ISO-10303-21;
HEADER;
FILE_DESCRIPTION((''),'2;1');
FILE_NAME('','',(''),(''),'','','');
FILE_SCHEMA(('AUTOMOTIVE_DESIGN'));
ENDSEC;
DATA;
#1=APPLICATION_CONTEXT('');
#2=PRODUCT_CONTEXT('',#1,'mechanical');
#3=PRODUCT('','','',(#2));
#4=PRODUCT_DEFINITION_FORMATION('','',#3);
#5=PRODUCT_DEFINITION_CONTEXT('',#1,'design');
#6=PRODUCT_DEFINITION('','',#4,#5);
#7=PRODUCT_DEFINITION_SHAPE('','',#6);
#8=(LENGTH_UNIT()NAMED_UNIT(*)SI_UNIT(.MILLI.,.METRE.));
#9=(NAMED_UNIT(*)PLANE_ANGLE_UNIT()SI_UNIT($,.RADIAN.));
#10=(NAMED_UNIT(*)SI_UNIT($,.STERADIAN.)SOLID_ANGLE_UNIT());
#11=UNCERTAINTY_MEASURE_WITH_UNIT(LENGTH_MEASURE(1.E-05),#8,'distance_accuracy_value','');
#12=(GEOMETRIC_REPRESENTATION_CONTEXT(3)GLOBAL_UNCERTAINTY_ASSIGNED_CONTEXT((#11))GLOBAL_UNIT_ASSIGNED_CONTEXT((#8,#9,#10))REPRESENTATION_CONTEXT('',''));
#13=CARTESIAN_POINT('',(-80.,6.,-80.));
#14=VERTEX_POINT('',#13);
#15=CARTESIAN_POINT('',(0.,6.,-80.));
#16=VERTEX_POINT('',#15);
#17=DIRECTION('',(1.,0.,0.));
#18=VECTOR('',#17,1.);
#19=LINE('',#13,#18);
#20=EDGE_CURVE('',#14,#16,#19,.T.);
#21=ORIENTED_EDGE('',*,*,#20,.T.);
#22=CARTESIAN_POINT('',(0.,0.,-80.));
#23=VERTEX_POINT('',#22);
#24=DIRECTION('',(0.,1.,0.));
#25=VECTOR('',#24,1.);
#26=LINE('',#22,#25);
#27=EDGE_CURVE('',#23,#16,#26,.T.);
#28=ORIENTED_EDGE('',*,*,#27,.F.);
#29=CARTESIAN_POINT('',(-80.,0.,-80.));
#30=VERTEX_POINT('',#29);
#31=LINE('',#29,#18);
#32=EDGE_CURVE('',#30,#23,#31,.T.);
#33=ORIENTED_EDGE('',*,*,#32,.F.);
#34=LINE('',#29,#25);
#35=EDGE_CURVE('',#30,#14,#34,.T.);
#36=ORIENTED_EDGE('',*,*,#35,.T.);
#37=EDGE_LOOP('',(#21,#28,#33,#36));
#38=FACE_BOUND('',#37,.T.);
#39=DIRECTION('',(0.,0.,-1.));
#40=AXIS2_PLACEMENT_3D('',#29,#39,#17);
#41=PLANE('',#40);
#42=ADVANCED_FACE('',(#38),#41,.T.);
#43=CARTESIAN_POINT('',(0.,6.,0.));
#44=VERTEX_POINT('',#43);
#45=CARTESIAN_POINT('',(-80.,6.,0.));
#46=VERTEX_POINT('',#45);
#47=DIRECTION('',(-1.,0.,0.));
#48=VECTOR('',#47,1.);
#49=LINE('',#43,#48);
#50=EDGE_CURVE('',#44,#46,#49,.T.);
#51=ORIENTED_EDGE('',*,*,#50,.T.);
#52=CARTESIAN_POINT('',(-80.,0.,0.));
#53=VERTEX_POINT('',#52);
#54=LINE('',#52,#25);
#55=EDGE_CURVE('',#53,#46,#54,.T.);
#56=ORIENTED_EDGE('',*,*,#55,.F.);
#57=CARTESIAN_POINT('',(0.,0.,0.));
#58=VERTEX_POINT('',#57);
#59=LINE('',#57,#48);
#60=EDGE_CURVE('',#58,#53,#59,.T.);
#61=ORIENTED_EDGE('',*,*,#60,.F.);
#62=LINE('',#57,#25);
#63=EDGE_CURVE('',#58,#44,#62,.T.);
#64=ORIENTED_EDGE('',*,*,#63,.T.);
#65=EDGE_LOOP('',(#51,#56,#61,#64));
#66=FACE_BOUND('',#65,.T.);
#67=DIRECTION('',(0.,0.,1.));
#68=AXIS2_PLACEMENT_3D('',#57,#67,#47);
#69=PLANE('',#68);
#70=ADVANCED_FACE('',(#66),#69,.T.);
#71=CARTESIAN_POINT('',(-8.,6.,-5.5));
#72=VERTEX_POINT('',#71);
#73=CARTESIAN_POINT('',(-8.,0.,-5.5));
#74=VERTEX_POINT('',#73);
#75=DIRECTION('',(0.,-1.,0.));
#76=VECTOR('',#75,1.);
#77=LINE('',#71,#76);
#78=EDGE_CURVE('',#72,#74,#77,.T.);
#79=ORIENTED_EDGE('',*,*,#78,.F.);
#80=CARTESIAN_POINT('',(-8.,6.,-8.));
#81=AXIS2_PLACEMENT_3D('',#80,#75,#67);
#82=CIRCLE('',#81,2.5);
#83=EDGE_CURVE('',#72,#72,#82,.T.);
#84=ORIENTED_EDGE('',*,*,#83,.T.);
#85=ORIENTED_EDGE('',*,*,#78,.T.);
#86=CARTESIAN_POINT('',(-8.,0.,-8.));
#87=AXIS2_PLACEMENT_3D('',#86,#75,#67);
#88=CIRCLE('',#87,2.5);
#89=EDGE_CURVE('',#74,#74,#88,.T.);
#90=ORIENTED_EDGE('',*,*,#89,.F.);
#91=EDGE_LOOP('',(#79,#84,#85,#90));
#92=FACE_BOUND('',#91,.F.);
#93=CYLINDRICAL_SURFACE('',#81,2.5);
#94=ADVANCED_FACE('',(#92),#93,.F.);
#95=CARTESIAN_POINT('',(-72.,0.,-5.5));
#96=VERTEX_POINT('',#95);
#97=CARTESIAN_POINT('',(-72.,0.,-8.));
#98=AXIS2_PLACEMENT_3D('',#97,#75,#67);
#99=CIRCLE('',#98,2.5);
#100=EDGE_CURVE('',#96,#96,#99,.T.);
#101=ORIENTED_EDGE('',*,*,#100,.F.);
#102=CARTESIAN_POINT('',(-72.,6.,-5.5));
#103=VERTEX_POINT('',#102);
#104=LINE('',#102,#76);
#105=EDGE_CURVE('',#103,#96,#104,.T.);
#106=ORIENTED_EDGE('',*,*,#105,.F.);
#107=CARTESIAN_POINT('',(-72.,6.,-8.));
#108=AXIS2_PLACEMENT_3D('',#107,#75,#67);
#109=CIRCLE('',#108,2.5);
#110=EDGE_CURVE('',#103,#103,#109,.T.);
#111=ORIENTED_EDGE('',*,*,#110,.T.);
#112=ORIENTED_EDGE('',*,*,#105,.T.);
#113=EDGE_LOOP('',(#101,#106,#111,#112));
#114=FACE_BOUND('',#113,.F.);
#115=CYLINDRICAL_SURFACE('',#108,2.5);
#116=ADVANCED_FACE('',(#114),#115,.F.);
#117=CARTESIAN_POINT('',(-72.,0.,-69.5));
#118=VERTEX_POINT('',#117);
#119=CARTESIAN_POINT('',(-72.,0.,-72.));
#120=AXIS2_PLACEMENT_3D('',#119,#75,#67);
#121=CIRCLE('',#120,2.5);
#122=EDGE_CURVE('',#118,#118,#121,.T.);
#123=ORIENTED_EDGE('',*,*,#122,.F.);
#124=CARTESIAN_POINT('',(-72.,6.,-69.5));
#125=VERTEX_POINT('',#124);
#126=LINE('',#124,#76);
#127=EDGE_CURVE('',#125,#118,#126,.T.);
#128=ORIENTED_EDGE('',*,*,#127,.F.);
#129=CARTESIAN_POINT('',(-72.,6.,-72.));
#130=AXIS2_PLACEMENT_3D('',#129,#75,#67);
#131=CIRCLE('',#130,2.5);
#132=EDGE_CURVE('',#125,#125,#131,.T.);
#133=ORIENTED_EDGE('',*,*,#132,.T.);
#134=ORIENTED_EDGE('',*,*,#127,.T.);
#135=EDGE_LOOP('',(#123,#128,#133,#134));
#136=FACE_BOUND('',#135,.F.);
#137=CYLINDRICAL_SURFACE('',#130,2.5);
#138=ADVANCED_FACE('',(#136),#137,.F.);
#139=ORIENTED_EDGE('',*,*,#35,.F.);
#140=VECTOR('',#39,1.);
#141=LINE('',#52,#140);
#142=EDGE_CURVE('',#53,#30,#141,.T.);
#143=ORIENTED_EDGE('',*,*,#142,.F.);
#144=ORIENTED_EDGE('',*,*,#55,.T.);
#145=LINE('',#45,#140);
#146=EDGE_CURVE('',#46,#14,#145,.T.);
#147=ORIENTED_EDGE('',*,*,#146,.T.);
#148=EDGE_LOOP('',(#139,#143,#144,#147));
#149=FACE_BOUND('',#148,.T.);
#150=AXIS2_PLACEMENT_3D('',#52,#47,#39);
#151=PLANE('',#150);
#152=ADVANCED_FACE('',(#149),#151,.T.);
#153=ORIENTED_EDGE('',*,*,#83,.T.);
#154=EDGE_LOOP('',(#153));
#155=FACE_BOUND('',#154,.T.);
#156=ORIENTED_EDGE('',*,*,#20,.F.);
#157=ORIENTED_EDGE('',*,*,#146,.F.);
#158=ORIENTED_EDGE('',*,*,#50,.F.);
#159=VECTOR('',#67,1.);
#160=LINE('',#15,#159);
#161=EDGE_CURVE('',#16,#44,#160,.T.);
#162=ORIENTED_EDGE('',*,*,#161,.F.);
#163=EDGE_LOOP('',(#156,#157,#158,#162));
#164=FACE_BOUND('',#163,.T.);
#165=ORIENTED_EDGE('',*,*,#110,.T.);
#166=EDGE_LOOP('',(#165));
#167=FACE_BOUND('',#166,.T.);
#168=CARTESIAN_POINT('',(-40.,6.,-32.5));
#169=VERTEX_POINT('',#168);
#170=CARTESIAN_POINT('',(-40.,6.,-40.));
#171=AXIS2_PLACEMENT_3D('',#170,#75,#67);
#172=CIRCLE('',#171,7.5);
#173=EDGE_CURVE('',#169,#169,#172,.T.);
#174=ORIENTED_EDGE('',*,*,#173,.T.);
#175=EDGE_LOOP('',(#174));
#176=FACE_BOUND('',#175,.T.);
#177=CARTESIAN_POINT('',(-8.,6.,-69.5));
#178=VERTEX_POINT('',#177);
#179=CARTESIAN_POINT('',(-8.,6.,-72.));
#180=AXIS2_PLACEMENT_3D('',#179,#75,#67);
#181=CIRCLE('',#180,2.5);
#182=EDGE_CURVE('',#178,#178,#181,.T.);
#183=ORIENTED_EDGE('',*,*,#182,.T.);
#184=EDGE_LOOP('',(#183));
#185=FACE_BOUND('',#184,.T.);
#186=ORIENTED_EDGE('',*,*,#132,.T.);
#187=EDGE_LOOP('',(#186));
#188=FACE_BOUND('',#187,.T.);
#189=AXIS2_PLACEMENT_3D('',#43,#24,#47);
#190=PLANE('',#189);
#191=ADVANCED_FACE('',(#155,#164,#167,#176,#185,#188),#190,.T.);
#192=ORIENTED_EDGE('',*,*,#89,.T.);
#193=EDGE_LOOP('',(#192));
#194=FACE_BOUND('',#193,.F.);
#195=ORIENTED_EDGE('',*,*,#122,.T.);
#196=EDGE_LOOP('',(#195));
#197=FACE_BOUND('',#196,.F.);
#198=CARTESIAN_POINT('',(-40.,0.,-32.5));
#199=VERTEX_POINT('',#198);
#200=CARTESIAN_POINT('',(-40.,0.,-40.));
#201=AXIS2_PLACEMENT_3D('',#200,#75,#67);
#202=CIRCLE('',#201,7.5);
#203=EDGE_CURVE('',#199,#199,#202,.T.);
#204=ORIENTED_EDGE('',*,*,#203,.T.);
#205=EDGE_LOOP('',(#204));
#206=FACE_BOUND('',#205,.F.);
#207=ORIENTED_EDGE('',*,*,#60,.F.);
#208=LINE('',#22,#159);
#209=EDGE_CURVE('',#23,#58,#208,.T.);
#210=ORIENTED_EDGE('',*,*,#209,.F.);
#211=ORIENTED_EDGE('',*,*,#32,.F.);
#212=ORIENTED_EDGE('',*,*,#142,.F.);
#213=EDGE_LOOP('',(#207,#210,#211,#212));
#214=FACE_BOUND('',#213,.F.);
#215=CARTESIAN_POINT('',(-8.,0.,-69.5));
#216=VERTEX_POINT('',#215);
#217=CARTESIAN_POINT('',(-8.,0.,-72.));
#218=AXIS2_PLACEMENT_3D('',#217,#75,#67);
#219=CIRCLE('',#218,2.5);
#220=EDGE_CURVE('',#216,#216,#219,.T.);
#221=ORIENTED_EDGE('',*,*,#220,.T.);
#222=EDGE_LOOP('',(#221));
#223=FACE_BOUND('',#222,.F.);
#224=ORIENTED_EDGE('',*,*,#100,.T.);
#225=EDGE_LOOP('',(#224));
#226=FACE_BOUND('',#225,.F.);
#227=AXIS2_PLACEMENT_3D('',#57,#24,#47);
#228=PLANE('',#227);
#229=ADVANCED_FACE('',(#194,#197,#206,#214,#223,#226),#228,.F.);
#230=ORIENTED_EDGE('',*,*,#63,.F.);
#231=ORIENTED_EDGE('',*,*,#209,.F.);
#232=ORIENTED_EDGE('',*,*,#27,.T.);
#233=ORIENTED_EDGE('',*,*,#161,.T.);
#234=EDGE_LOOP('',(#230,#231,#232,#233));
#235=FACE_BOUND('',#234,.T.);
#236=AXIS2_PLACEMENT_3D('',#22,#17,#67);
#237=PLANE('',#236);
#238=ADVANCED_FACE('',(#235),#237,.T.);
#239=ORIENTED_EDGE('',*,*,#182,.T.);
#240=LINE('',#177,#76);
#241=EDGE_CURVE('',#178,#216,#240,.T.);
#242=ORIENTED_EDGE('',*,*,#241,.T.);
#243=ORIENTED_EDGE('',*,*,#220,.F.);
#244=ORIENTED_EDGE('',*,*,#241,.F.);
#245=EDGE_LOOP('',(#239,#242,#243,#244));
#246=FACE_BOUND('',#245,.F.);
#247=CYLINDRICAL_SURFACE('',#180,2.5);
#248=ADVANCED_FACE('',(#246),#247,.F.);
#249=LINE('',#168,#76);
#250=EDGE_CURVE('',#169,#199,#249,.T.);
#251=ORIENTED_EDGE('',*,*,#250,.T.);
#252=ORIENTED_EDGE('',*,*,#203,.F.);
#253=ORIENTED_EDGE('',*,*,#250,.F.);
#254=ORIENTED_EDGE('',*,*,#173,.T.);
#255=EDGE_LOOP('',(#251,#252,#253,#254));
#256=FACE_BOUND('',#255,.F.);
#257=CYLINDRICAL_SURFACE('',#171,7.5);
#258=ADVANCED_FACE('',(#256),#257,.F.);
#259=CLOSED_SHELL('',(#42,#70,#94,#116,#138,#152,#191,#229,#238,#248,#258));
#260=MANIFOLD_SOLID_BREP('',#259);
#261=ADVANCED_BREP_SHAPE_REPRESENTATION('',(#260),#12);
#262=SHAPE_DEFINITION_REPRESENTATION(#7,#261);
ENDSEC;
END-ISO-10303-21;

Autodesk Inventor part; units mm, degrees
ref_plane "YZ Plane" through (0, 0, 0) normal (1, 0, 0) x (0, 1, 0)
ref_plane "XZ Plane" through (0, 0, 0) normal (0, 1, 0) x (-1, 0, 0)
ref_plane "XY Plane" through (0, 0, 0) normal (0, 0, 1) x (1, 0, 0)
sketch "Esboço1" plane through (0, 0, 0) normal (0, 1, 0) x (-1, 0, 0)
  line L0 (0, 0) -> (80, 0)
  line L1 (80, 0) -> (80, -80)
  line L2 (80, -80) -> (0, -80)
  line L3 (0, -80) -> (0, 0)
  dimension "d0" = 80
  dimension "d1" = 80
extrude "Extrusão1" add sketch "Esboço1" along normal blind 6
sketch "Esboço2" plane through (0, 6, 0) normal (0, 1, 0) x (1, 0, 0)
  line L0 (0, 80) -> (-80, 80) projected
  line L1 (-80, 80) -> (-80, 0) projected
  line L2 (-80, 0) -> (0, 0) projected
  line L3 (0, 0) -> (0, 80) projected
  point P0 (-8, 8)
  point P1 (-72, 8)
  point P2 (-72, 72)
  point P3 (-8, 72)
  dimension "d4" = 8
  dimension "d5" = 8
  dimension "d6" = 8
  dimension "d7" = 8
  dimension "d8" = 8
  dimension "d9" = 8
  dimension "d10" = 8
  dimension "d11" = 8
hole "Furo1" at (-8, 6, -8) at (-72, 6, -8) at (-72, 6, -72) at (-8, 6, -72) direction (0, -1, 0) diameter 5 depth 6
sketch "Esboço3" plane through (0, 6, 0) normal (0, 1, 0) x (1, 0, 0)
  line L0 (-80, 0) -> (0, 0) projected
  line L1 (-80, 80) -> (-80, 0) projected
  line L2 (0, 80) -> (-80, 80) projected
  line L3 (0, 0) -> (0, 80) projected
  point P0 (-40, 40)
  dimension "d19" = 80
  dimension "d20" = 40
  dimension "d21" = 40
hole "Furo2" at (-40, 6, -40) direction (0, -1, 0) diameter 15 depth 6
equation "\"d5\" = d4"
equation "\"d6\" = d5"
equation "\"d7\" = d5"
equation "\"d8\" = d7"
equation "\"d9\" = d6"
equation "\"d10\" = d9"
equation "\"d11\" = d4"
equation "\"d17\" = Espessura"
equation "\"d20\" = 0.5 * d19"
equation "\"d21\" = 0.5 * d19"
equation "\"Raio_vergadura\" = Espessura"
equation "\"Largura_alívio_de_vergadura\" = Espessura"
equation "\"Profundidade_alívio_de_vergadura\" = 0.5 * Espessura"
equation "\"Tamanho_alívio_de_dobra\" = 4 * Espessura"
equation "\"Remanescente_mínimo\" = 2 * Espessura"
equation "\"Raiodetransição\" = Raio_vergadura"
equation "\"Tamanho_de_raio_de_Jacobi\" = Raio_vergadura"
equation "\"TamanhoFolga\" = Espessura"
equation "\"Espessura\" = 0.5"
properties part number "Suporte inferior do eixo" material "Aluminum 6061"
